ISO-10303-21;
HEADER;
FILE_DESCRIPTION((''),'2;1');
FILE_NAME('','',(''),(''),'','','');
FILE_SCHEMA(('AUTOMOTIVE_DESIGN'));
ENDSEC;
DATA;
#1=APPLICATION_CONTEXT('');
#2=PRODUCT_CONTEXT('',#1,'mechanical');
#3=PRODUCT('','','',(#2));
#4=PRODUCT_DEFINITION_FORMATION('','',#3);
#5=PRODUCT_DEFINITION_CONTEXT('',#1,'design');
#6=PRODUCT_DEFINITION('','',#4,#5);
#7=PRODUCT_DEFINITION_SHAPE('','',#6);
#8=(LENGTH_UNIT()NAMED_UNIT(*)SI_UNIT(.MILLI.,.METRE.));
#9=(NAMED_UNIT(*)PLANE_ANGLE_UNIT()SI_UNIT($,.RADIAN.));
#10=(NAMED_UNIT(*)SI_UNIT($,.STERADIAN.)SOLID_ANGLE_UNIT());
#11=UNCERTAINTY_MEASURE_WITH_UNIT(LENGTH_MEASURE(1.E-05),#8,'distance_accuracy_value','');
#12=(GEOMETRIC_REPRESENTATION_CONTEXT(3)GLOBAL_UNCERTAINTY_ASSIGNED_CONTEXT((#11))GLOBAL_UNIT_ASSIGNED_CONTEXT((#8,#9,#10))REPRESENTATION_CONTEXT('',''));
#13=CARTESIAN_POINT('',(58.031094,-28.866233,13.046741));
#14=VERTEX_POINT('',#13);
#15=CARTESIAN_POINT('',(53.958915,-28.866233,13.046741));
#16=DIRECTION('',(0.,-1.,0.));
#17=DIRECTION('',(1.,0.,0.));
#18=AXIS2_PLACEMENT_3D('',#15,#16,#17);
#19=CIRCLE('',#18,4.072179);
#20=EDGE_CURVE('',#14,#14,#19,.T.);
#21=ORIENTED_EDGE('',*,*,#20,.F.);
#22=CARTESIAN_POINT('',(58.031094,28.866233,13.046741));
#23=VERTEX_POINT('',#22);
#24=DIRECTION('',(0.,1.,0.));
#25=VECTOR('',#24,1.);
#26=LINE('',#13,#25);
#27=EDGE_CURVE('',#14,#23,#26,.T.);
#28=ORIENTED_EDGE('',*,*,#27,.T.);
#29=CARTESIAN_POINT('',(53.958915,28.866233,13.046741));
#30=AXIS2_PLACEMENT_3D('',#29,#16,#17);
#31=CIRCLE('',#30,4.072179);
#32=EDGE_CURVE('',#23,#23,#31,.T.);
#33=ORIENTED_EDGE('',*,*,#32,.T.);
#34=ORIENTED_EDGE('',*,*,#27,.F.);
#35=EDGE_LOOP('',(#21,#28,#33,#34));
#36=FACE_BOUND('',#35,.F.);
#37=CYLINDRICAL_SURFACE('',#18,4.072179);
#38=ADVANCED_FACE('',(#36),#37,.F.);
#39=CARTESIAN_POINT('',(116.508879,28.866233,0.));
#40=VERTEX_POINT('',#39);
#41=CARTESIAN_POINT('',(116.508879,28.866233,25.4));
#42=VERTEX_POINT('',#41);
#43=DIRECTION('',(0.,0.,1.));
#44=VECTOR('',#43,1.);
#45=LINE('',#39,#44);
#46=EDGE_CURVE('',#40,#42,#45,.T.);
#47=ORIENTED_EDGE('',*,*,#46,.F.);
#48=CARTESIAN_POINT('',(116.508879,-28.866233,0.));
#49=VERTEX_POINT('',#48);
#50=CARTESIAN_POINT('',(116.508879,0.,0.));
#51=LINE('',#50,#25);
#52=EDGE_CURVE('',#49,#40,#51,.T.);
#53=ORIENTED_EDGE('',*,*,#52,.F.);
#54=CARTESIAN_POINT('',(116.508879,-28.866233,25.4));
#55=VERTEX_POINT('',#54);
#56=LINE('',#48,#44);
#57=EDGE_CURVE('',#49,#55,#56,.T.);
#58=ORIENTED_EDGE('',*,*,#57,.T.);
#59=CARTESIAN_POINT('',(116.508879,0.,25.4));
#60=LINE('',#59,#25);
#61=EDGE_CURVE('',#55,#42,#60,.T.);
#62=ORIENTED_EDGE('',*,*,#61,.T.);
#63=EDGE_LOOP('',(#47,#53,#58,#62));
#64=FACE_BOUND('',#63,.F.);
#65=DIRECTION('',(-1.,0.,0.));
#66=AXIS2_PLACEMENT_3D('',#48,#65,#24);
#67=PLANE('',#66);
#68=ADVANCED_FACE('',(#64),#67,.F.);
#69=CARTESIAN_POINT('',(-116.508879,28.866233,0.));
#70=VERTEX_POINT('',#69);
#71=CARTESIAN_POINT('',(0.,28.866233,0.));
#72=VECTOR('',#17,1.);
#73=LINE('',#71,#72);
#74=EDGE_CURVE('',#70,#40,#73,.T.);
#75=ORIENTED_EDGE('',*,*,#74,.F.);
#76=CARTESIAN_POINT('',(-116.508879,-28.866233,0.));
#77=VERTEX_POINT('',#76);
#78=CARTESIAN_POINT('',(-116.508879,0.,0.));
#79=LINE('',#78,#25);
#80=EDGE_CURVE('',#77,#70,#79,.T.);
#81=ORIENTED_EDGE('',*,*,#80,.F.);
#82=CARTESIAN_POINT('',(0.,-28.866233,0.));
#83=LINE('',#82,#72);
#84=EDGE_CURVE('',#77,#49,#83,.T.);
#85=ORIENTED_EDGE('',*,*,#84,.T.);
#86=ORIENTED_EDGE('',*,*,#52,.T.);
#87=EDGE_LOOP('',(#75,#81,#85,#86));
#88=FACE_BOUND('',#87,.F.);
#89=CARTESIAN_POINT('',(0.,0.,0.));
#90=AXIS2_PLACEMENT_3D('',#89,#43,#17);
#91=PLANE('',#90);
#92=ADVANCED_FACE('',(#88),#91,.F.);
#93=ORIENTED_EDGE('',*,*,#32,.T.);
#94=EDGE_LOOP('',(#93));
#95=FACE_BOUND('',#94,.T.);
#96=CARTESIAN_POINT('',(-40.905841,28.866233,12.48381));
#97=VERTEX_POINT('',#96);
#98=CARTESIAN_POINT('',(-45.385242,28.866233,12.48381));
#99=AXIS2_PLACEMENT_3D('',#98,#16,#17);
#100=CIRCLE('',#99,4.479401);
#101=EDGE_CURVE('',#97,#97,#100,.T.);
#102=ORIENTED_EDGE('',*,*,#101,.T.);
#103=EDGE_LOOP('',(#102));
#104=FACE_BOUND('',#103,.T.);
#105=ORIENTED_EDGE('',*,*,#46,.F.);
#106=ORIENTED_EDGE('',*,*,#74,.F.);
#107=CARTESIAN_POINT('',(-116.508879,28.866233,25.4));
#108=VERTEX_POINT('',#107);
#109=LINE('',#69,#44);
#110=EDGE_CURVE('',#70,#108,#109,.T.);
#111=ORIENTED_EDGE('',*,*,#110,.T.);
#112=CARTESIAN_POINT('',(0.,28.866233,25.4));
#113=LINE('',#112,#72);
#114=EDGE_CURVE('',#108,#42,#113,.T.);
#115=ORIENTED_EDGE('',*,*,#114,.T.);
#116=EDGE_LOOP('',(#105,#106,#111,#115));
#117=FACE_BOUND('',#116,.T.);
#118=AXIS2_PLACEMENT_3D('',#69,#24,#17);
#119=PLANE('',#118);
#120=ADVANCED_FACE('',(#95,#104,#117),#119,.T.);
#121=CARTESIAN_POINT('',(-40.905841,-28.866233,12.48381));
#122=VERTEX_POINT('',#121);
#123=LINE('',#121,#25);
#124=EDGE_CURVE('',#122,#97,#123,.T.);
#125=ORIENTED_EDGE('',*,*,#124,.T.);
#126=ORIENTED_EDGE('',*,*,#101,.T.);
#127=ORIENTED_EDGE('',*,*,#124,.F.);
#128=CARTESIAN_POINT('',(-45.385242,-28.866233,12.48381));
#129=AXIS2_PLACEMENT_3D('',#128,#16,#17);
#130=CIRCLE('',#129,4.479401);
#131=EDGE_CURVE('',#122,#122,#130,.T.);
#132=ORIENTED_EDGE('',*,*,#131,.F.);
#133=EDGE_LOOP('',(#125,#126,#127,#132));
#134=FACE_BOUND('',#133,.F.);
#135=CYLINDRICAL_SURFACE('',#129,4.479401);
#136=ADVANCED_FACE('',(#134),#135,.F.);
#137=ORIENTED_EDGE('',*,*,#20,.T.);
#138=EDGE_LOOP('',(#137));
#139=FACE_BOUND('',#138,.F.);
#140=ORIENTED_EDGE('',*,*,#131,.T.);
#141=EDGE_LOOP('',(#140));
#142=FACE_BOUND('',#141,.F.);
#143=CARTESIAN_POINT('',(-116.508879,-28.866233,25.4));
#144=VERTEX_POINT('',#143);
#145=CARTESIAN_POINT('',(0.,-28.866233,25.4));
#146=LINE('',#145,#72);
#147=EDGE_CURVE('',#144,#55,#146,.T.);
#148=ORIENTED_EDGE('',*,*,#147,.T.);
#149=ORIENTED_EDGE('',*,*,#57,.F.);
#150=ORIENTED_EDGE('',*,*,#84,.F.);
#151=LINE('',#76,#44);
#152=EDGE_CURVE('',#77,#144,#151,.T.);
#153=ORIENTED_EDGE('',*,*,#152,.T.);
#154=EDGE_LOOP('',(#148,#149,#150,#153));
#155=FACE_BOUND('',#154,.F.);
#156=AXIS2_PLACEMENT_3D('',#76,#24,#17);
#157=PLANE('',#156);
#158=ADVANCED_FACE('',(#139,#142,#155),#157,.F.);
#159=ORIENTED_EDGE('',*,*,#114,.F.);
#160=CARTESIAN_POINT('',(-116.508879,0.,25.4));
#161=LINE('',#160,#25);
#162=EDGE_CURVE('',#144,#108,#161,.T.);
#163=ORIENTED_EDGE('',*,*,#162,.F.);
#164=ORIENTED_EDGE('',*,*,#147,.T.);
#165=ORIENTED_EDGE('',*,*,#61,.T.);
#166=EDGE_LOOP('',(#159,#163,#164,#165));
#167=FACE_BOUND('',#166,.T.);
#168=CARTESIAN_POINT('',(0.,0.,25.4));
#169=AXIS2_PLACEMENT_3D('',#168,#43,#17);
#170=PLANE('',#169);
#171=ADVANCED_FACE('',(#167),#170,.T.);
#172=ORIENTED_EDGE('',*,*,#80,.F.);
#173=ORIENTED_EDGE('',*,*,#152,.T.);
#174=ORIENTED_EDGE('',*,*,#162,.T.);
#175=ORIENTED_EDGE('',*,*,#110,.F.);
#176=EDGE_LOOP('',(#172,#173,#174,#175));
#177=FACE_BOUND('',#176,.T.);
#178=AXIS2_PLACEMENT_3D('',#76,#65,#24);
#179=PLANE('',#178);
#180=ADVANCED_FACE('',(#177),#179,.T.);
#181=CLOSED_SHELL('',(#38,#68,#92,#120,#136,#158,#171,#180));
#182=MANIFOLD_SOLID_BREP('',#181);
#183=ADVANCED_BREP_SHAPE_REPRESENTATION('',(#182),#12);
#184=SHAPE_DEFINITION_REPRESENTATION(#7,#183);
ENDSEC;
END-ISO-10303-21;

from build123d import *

# Parameters (mm, degrees)
F0_W     = 233.017758
F0_H     = 57.732466
F1_DEPTH = 25.4
F2_R     = 4.479401
F2_R_2   = 4.072179
F3_DEPTH = 57.733467


with BuildPart() as f1:
    # F0 (on Top) → F1 (new body)
    with BuildSketch(Plane.XY):
        Rectangle(F0_W, F0_H)
    extrude(amount=F1_DEPTH)

    # F2 (on face) → F3 (cut, through all)
    with BuildSketch(Plane.XZ.offset(28.866233)):
        with Locations((-45.385242, 12.48381)):
            Circle(F2_R)
        with Locations((53.958915, 13.046741)):
            Circle(F2_R_2)
    extrude(amount=-F3_DEPTH, mode=Mode.SUBTRACT)


solid = f1.part
